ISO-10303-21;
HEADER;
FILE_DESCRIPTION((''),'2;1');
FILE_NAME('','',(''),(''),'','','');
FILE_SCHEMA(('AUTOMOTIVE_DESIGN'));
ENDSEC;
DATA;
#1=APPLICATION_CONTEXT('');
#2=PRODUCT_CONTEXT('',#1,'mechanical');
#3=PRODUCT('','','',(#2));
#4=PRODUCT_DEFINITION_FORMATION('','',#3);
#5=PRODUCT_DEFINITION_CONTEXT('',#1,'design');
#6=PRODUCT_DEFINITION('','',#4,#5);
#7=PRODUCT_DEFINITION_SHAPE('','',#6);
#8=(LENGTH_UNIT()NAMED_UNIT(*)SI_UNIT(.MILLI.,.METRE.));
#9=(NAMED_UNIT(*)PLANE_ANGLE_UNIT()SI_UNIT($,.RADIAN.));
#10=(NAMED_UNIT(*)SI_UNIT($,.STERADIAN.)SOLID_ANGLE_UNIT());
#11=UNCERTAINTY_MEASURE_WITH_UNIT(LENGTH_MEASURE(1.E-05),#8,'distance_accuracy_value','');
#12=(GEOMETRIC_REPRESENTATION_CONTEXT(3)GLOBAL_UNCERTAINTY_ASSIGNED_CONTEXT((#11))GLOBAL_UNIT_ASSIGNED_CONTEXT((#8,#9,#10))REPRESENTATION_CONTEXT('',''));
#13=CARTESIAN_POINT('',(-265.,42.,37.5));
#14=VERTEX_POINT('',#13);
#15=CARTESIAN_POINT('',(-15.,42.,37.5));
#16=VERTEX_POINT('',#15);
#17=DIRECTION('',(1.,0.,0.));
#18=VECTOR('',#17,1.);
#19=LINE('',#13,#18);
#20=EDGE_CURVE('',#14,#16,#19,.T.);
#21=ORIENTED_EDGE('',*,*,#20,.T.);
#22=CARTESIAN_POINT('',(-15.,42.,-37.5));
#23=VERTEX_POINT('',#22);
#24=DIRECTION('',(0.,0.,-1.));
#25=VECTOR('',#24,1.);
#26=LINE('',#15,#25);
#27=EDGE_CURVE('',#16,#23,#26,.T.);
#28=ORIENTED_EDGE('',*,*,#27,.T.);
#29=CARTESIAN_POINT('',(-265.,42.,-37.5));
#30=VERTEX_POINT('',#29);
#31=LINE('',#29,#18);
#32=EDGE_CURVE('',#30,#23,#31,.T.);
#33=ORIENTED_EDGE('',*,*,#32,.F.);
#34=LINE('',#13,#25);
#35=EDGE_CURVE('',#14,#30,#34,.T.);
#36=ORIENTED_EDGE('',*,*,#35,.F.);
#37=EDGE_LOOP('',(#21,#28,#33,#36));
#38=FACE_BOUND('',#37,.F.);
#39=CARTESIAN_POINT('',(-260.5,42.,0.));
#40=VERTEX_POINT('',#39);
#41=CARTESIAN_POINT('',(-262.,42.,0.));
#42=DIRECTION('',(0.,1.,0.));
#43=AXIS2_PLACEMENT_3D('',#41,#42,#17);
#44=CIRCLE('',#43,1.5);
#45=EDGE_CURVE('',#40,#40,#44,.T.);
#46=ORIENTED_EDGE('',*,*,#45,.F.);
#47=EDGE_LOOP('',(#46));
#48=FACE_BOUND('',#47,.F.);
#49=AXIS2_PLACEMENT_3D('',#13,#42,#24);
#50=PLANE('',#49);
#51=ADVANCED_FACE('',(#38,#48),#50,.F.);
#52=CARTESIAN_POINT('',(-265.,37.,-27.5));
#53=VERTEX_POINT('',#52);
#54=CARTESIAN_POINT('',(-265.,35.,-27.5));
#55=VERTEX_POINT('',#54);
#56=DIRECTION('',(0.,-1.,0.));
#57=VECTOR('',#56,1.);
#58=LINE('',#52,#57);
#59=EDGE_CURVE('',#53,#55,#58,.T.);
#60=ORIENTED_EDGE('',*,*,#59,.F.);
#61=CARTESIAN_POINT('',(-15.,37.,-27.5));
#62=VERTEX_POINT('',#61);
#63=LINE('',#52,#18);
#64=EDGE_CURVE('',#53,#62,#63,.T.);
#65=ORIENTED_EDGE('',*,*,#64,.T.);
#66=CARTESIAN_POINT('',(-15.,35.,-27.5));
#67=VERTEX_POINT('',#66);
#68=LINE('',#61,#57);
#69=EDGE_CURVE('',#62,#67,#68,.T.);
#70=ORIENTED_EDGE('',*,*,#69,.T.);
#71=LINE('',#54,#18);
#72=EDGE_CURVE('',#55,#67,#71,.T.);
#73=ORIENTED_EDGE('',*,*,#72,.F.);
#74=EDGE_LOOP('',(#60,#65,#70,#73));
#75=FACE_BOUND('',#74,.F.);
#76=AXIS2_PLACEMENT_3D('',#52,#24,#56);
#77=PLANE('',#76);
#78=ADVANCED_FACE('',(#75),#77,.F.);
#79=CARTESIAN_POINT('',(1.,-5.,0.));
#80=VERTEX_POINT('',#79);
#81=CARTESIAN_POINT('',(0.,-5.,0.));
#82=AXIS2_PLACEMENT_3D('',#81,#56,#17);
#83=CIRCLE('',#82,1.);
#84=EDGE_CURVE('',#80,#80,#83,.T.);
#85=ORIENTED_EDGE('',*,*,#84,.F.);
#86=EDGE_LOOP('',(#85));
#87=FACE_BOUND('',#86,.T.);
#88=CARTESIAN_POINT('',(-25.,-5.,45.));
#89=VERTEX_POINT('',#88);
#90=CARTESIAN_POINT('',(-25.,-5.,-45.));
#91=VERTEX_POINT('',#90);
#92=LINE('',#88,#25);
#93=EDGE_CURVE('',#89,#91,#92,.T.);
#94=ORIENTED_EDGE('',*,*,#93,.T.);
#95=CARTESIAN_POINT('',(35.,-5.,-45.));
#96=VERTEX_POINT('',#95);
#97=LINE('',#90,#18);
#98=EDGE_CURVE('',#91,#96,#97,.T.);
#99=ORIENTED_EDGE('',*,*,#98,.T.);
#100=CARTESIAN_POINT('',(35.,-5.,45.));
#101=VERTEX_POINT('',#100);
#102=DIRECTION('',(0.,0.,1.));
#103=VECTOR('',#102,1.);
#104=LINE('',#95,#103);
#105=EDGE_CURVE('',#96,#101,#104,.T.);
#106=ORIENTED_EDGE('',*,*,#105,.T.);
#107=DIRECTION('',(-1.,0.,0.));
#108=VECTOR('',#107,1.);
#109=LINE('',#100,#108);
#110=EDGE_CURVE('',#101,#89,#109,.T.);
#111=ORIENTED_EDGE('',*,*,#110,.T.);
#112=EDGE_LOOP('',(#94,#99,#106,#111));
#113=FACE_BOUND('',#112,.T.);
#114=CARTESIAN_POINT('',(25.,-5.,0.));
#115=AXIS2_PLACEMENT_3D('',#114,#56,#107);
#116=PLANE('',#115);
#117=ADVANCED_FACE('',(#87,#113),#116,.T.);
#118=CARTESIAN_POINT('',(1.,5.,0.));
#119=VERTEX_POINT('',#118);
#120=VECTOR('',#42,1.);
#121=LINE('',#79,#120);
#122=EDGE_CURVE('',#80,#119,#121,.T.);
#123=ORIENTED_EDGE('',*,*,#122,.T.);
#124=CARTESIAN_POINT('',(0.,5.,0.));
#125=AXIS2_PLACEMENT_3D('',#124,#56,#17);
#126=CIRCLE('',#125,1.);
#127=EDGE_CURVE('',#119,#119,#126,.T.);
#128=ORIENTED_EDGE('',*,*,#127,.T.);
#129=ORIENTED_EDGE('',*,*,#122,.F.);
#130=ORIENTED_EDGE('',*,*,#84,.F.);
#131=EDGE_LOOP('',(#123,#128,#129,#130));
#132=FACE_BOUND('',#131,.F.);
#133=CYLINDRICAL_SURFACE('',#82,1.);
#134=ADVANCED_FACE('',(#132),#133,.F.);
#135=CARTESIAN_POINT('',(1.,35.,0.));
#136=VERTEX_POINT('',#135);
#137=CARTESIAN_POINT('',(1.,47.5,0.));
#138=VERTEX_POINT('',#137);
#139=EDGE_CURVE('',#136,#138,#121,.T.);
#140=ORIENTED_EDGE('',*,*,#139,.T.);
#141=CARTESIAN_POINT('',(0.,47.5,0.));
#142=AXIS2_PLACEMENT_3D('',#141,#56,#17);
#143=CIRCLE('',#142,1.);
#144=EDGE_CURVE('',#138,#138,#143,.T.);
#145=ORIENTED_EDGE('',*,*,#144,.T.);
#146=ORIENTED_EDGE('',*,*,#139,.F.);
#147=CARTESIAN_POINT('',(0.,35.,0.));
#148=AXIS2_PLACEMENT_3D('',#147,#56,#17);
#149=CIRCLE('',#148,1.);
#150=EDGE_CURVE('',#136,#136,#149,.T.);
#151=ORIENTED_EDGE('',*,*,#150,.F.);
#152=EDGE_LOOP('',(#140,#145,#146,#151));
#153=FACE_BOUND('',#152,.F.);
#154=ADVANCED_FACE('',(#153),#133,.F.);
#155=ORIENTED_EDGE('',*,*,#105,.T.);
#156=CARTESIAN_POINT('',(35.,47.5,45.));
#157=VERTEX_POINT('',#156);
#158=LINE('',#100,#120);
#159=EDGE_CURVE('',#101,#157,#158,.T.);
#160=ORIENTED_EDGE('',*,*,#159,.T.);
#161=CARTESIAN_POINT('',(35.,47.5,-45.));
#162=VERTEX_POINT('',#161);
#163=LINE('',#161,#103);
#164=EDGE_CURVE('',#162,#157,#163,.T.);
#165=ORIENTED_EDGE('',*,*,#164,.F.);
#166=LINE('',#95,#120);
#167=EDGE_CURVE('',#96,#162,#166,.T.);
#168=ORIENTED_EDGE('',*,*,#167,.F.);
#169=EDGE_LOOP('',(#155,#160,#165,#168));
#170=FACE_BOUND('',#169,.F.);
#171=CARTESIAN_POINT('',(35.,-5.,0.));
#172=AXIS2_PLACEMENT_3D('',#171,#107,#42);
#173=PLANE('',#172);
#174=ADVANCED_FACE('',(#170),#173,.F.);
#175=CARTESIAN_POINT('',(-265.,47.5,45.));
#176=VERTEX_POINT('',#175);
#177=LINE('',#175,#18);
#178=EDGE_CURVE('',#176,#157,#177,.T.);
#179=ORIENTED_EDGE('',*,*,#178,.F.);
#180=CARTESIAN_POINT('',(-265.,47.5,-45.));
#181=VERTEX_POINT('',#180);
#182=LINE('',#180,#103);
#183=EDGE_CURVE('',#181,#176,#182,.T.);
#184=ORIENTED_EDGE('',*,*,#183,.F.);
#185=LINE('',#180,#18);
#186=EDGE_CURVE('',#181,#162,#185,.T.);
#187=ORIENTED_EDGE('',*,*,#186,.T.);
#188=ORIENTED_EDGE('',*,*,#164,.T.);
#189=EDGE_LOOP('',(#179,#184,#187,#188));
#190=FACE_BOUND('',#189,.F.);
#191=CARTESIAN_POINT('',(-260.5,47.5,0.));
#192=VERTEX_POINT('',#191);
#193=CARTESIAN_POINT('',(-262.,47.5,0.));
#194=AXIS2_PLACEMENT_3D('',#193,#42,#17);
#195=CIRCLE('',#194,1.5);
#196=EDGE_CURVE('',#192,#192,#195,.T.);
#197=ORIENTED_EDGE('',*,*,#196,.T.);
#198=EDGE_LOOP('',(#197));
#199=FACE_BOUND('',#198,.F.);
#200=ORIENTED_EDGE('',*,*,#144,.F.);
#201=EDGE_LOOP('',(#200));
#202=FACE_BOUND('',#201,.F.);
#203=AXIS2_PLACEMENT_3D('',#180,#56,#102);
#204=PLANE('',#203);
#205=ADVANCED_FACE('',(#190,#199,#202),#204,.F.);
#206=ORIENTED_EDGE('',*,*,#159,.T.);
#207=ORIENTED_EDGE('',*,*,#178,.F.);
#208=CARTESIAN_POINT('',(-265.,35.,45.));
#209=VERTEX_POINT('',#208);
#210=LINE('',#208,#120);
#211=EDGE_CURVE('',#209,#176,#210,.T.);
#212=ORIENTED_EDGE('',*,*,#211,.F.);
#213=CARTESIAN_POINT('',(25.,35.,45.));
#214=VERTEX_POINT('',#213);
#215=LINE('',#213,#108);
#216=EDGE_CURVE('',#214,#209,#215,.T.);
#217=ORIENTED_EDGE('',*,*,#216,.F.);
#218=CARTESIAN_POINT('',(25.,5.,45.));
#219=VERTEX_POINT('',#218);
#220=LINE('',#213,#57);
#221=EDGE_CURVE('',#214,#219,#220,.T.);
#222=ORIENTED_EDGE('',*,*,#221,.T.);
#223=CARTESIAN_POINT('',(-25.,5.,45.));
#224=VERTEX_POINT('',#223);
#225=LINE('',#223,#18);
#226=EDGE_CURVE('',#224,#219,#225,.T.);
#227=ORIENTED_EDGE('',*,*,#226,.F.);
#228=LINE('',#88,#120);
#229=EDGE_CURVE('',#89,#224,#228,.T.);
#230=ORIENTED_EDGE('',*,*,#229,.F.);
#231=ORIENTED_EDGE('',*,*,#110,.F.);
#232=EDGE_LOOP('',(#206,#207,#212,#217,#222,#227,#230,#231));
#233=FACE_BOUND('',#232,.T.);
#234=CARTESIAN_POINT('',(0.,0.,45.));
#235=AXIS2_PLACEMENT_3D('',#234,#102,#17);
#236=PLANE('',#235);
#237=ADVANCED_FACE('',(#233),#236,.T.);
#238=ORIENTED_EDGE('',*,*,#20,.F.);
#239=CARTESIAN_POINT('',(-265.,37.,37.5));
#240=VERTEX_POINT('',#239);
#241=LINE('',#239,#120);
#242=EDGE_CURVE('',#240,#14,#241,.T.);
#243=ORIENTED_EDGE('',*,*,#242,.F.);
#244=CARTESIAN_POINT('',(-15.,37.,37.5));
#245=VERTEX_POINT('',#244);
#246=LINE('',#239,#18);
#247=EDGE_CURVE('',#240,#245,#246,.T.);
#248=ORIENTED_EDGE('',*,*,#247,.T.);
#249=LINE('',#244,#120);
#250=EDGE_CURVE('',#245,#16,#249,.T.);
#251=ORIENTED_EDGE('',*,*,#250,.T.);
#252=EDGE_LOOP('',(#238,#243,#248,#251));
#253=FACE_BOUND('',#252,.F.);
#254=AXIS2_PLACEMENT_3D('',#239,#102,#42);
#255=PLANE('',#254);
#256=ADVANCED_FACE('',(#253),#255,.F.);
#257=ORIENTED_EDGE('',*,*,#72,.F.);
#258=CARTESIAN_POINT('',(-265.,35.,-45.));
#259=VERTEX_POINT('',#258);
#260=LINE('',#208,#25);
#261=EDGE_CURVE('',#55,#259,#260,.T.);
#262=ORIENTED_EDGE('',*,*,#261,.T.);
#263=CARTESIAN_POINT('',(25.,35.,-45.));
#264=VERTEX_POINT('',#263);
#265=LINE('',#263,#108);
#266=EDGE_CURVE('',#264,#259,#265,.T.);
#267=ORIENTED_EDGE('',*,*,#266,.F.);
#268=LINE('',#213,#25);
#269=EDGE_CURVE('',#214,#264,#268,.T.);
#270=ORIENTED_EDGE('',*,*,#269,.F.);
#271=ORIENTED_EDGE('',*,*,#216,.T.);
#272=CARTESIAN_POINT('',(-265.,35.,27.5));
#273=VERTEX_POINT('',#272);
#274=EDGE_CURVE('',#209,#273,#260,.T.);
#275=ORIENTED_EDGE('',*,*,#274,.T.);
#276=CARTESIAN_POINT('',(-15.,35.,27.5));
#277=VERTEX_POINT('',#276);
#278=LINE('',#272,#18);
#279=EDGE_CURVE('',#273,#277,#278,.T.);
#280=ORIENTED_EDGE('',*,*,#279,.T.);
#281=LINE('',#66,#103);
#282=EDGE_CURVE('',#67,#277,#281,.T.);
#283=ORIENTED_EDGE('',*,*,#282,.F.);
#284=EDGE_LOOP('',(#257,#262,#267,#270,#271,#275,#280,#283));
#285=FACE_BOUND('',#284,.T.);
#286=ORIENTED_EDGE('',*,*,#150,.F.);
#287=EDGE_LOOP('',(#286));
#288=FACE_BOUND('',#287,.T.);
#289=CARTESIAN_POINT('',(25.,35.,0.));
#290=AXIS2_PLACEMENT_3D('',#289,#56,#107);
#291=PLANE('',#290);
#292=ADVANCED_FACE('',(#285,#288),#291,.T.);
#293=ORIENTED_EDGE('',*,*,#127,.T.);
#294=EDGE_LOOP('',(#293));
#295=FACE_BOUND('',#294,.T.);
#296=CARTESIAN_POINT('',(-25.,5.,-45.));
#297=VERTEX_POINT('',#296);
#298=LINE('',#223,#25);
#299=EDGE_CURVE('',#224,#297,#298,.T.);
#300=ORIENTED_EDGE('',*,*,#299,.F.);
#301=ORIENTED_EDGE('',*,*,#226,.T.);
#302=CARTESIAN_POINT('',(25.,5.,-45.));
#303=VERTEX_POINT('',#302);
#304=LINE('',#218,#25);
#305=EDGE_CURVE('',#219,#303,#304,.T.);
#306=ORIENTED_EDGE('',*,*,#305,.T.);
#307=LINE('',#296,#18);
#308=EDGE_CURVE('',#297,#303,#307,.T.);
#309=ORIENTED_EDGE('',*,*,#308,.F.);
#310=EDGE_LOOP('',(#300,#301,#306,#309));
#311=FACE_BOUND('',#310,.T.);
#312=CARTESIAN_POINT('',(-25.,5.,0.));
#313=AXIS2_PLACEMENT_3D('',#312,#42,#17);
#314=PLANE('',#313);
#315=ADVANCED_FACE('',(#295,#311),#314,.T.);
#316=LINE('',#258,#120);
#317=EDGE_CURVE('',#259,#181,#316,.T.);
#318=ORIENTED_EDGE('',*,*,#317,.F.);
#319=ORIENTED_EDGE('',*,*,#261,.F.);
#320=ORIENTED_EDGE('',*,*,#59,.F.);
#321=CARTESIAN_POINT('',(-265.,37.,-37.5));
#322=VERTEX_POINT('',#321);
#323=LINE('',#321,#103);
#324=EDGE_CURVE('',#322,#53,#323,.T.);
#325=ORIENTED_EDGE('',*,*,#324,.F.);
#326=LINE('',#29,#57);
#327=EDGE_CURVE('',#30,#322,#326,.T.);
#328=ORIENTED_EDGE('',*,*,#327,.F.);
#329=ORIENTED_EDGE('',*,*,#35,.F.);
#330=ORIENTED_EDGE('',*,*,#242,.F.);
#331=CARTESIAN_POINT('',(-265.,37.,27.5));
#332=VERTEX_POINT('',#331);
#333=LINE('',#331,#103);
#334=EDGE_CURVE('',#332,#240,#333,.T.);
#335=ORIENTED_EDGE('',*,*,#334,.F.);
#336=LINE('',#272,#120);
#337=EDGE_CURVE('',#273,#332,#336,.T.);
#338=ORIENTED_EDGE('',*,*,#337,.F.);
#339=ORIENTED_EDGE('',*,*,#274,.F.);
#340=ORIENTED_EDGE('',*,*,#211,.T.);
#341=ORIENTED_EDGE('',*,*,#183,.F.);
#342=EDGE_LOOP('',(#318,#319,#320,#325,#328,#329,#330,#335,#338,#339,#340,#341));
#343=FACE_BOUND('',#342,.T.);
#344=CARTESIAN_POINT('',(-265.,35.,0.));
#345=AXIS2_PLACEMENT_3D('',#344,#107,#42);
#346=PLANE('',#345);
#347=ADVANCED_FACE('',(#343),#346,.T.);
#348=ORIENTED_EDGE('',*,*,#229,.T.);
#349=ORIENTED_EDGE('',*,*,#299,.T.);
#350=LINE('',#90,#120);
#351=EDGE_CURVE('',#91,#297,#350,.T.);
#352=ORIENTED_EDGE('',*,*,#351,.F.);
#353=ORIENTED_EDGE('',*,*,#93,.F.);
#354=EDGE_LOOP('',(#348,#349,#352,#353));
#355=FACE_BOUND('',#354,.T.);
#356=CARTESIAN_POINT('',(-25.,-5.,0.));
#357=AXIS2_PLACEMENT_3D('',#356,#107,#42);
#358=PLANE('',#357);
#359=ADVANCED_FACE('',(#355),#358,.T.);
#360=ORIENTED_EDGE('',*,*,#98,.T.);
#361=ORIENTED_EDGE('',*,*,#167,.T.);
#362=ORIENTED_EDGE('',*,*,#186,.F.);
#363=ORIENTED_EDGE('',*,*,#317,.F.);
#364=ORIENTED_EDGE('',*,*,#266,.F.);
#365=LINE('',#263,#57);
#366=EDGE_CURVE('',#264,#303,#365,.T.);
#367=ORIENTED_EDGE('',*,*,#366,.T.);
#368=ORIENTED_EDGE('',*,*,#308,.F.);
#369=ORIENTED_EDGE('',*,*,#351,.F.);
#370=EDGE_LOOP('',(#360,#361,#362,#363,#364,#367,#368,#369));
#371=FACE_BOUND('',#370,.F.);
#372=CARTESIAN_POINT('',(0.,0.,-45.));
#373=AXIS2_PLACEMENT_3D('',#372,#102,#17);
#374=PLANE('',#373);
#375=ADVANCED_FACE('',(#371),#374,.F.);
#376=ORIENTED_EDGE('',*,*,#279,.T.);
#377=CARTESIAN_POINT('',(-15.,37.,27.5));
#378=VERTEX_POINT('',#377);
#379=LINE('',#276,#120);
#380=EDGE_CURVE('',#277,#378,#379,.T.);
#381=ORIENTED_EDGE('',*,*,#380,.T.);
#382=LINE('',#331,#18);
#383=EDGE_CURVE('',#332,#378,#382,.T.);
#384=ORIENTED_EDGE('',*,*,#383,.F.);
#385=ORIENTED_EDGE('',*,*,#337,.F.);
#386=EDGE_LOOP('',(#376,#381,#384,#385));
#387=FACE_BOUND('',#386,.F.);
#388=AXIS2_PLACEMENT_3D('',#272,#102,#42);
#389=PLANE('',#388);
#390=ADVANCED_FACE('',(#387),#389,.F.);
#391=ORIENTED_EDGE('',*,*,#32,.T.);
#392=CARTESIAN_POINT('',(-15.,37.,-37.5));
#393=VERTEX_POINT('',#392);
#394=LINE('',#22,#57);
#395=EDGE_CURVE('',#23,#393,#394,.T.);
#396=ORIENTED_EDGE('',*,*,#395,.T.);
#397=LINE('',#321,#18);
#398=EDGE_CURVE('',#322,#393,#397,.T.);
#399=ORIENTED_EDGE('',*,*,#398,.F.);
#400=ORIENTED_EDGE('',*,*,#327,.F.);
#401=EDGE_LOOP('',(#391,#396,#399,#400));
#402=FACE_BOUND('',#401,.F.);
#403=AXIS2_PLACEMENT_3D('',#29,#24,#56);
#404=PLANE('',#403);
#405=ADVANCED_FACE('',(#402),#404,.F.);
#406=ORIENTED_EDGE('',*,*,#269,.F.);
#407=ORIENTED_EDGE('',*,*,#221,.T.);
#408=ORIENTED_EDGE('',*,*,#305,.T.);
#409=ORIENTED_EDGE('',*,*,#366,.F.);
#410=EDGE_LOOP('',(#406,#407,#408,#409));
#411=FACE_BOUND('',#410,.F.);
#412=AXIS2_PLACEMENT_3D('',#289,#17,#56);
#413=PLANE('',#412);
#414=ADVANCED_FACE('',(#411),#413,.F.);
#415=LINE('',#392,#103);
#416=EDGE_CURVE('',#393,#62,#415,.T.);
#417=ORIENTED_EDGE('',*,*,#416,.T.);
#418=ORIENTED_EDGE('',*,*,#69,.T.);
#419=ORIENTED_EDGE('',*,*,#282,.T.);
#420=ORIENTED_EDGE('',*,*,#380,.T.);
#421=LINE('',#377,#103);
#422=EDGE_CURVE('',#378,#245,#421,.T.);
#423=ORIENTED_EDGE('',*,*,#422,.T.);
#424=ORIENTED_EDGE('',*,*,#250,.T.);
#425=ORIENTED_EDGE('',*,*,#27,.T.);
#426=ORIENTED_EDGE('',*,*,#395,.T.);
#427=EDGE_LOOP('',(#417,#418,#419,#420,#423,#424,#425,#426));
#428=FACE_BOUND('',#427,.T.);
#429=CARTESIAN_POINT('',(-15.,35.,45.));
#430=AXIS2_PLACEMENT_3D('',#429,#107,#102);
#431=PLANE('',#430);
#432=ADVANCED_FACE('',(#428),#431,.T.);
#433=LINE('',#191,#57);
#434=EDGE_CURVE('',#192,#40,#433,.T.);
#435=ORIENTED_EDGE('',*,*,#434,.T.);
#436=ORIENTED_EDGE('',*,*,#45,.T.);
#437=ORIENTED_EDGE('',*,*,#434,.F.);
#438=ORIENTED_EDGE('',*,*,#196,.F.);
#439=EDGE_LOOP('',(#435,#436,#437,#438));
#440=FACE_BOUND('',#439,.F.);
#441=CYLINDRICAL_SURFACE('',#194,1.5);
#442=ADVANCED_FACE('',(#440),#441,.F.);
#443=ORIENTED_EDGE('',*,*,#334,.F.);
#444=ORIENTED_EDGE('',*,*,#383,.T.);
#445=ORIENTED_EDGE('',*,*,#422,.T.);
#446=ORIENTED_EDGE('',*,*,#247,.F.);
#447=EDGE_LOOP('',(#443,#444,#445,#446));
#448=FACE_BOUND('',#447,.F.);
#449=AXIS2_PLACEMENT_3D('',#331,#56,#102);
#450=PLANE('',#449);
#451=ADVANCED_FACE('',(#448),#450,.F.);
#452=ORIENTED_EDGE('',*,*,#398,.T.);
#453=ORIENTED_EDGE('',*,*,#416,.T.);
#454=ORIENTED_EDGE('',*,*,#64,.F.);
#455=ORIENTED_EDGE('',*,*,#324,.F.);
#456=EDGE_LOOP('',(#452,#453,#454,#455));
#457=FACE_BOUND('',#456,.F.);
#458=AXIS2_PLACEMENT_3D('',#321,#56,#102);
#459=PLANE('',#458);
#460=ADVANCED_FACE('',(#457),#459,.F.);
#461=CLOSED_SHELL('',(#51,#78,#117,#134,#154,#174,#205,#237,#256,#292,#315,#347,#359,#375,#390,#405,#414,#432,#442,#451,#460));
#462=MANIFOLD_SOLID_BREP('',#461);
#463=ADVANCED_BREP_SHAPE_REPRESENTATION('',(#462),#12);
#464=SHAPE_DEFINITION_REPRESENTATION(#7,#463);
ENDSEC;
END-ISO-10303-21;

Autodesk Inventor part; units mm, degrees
ref_plane "YZ Plane" through (0, 0, 0) normal (1, 0, 0) x (0, 1, 0)
ref_plane "XZ Plane" through (0, 0, 0) normal (0, 1, 0) x (-1, 0, 0)
ref_plane "XY Plane" through (0, 0, 0) normal (0, 0, 1) x (1, 0, 0)
sketch "Sketch1" plane through (0, 0, 0) normal (0, 0, 1) x (1, 0, 0)
  line L0 (25, -5) -> (-25, -5)
  line L1 (-25, -5) -> (-25, 5)
  line L2 (-25, 5) -> (25, 5)
  line L3 (25, -5) -> (-25, 5) construction
  line L4 (-25, -5) -> (25, 5) construction
  line L5 (25, -5) -> (35, -5)
  line L6 (35, -5) -> (35, 35)
  line L7 (25, 35) -> (25, 5)
  line L8 (25, 35) -> (-265, 35)
  line L9 (-265, 35) -> (-265, 50)
  line L10 (-265, 50) -> (35, 50)
  line L11 (35, 50) -> (35, 35)
  point P0 (0, 0)
  dimension "d0" = 50
  dimension "d1" = 10
  dimension "d2" = 10
  dimension "d3" = 40
  dimension "d4" = 300
  dimension "d5" = 15
extrude "Extrusion1" add sketch "Sketch1" along normal mid plane 90
sketch "Sketch4" plane through (-25, -5, 45) normal (0, -1, 0) x (1, 0, 0)
  circle A0 centre (25, -45) radius 1
  dimension "d17" = 2
extrude "Extrusion4" cut sketch "Sketch4" against normal through all
sketch "Sketch5" plane through (-265, 35, 45) normal (-1, 0, 0) x (0, 0, 1)
  line L0 (-7.5, 7) -> (-82.5, 7)
  line L1 (-82.5, 7) -> (-82.5, 2)
  line L2 (-7.5, 2) -> (-7.5, 7)
  line L3 (-7.5, 7) -> (-82.5, 2) construction
  line L4 (-82.5, 7) -> (-7.5, 2) construction
  line L5 (-72.5, 2) -> (-72.5, 0)
  line L6 (-72.5, 0) -> (-17.5, 0)
  line L7 (-17.5, 0) -> (-17.5, 2)
  line L8 (-82.5, 2) -> (-72.5, 2)
  line L9 (-17.5, 2) -> (-7.5, 2)
  point P0 (-45, -35)
  point P1 (-45, 4.5)
  dimension "d32" = 75
  dimension "d33" = 5
  dimension "d34" = 55
sketch "Sketch6" plane through (-265, 35, 45) normal (-1, 0, 0) x (0, 0, 1)
  line L0 (-90, 15) -> (0, 15) projected
  line L1 (0, 15) -> (-90, 15)
  line L2 (-90, 15) -> (-90, 12.5)
  line L3 (-90, 12.5) -> (0, 12.5)
  line L4 (0, 12.5) -> (0, 15)
  point P0 (-45, -35)
  dimension "d25" = 90
  dimension "d26" = 2.5
extrude "Extrusion6" cut sketch "Sketch6" against normal blind 300
sketch "Sketch7" plane through (-265, 47.5, 45) normal (0, 1, 0) x (1, 0, 0)
  circle A0 centre (3, 45) radius 1.5
  point P0 (265, 45)
  dimension "d29" = 3
extrude "Extrusion7" cut sketch "Sketch7" against normal blind 60
extrude "Extrusion8" cut sketch "Sketch5" against normal blind 250
properties part number "kamera_feste"
